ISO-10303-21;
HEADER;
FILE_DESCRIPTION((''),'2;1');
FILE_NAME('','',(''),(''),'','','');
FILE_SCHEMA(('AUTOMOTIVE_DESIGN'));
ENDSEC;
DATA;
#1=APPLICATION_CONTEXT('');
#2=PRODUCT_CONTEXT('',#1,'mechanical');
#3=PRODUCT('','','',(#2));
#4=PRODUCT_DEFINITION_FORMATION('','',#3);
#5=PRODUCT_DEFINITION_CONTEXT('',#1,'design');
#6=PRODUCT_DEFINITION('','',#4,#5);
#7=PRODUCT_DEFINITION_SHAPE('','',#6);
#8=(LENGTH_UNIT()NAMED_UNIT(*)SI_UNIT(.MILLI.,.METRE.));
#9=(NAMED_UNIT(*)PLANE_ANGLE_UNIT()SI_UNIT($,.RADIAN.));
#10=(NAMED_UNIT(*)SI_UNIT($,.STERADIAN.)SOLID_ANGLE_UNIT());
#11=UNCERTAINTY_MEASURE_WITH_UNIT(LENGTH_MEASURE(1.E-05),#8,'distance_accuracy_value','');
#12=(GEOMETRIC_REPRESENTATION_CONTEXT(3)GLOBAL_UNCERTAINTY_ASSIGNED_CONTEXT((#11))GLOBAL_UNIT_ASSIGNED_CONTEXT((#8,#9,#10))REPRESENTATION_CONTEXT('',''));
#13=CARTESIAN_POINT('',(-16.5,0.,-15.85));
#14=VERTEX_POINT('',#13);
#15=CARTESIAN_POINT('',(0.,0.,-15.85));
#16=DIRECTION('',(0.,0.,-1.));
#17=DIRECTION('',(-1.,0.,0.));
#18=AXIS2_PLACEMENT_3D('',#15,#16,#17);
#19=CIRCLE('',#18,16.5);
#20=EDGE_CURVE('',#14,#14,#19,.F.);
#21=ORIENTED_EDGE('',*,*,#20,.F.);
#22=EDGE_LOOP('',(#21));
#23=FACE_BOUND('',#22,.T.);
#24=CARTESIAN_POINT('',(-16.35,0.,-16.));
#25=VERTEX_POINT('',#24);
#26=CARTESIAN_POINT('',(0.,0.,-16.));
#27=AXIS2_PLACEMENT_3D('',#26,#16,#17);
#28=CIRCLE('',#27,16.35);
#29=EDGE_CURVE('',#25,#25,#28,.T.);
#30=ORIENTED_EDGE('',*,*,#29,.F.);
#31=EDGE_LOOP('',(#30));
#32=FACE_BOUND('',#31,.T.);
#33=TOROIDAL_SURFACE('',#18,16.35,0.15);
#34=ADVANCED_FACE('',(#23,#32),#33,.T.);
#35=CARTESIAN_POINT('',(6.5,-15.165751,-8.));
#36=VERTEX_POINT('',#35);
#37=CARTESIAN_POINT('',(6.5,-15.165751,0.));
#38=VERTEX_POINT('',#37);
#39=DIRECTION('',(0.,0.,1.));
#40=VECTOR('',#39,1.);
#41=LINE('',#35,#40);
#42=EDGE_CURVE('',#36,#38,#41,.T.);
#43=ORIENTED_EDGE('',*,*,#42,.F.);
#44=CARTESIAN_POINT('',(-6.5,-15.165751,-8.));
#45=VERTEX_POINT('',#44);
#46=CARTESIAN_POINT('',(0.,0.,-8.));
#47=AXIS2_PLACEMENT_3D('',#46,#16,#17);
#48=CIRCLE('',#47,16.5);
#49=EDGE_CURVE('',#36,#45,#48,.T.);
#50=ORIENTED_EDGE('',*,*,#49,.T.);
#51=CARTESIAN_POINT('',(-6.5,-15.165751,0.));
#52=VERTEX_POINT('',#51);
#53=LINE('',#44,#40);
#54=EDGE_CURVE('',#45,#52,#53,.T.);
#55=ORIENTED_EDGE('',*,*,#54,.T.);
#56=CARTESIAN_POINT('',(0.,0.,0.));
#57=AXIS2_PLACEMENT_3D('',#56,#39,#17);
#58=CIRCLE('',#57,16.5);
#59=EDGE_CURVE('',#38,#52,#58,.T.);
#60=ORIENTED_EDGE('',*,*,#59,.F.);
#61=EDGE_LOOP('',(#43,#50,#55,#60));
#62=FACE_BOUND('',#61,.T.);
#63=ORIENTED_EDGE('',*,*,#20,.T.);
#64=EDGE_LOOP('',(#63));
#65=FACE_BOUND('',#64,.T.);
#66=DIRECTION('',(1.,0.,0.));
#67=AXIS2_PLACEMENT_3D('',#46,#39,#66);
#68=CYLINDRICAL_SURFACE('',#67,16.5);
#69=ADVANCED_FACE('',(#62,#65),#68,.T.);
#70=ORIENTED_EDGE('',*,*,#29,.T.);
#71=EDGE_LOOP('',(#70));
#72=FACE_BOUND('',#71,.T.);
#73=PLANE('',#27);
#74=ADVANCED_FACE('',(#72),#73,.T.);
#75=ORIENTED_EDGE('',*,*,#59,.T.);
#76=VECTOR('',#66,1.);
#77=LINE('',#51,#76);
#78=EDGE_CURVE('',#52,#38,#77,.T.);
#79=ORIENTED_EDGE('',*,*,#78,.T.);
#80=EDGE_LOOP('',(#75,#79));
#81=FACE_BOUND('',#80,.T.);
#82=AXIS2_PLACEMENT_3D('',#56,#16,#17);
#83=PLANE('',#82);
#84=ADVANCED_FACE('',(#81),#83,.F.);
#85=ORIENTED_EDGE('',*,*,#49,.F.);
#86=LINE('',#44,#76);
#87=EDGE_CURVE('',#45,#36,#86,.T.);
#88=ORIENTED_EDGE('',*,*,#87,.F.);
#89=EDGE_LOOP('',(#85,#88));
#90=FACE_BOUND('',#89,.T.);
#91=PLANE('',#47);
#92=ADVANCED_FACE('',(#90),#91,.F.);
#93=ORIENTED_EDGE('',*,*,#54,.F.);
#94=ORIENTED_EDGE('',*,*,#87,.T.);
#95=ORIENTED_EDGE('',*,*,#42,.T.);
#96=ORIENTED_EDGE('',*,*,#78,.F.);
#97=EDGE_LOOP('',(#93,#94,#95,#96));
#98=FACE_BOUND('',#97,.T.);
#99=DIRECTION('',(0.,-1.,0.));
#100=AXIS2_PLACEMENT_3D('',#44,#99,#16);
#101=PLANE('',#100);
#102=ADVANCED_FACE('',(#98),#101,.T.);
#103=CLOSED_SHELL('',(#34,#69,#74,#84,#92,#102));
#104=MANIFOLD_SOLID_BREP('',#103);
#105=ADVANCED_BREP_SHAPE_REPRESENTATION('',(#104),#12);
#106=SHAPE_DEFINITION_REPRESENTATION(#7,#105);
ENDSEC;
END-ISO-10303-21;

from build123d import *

# Parameters (mm, degrees)
BOSS_EXTRUDE1_DEPTH = 8
SKETCH7_R           = 16.5
BOSS_EXTRUDE2_DEPTH = 8
FILLET1_R           = 0.15


with BuildPart() as part:
    # Sketch1 → Boss-Extrude1 (new body)
    with BuildSketch(Plane.XY):
        with BuildLine():
            Line((-6.5, -15.165750888), (6.5, -15.165750888))
            ThreePointArc((6.5, -15.165750888), (0, 16.5), (-6.5, -15.165750888))
        make_face()
    extrude(amount=-BOSS_EXTRUDE1_DEPTH)

    # Sketch7 → Boss-Extrude2 (add)
    with BuildSketch(Plane(origin=(0, 0, -8), x_dir=(-1, 0, 0), z_dir=(0, 0, -1))):
        Circle(SKETCH7_R)
    extrude(amount=BOSS_EXTRUDE2_DEPTH)

    # Fillet1
    fillet1_edges = [part.edges().sort_by_distance(p)[0] for p in [
        (16.5, 0, -16),
    ]]
    fillet(fillet1_edges, radius=FILLET1_R)


solid = part.part
